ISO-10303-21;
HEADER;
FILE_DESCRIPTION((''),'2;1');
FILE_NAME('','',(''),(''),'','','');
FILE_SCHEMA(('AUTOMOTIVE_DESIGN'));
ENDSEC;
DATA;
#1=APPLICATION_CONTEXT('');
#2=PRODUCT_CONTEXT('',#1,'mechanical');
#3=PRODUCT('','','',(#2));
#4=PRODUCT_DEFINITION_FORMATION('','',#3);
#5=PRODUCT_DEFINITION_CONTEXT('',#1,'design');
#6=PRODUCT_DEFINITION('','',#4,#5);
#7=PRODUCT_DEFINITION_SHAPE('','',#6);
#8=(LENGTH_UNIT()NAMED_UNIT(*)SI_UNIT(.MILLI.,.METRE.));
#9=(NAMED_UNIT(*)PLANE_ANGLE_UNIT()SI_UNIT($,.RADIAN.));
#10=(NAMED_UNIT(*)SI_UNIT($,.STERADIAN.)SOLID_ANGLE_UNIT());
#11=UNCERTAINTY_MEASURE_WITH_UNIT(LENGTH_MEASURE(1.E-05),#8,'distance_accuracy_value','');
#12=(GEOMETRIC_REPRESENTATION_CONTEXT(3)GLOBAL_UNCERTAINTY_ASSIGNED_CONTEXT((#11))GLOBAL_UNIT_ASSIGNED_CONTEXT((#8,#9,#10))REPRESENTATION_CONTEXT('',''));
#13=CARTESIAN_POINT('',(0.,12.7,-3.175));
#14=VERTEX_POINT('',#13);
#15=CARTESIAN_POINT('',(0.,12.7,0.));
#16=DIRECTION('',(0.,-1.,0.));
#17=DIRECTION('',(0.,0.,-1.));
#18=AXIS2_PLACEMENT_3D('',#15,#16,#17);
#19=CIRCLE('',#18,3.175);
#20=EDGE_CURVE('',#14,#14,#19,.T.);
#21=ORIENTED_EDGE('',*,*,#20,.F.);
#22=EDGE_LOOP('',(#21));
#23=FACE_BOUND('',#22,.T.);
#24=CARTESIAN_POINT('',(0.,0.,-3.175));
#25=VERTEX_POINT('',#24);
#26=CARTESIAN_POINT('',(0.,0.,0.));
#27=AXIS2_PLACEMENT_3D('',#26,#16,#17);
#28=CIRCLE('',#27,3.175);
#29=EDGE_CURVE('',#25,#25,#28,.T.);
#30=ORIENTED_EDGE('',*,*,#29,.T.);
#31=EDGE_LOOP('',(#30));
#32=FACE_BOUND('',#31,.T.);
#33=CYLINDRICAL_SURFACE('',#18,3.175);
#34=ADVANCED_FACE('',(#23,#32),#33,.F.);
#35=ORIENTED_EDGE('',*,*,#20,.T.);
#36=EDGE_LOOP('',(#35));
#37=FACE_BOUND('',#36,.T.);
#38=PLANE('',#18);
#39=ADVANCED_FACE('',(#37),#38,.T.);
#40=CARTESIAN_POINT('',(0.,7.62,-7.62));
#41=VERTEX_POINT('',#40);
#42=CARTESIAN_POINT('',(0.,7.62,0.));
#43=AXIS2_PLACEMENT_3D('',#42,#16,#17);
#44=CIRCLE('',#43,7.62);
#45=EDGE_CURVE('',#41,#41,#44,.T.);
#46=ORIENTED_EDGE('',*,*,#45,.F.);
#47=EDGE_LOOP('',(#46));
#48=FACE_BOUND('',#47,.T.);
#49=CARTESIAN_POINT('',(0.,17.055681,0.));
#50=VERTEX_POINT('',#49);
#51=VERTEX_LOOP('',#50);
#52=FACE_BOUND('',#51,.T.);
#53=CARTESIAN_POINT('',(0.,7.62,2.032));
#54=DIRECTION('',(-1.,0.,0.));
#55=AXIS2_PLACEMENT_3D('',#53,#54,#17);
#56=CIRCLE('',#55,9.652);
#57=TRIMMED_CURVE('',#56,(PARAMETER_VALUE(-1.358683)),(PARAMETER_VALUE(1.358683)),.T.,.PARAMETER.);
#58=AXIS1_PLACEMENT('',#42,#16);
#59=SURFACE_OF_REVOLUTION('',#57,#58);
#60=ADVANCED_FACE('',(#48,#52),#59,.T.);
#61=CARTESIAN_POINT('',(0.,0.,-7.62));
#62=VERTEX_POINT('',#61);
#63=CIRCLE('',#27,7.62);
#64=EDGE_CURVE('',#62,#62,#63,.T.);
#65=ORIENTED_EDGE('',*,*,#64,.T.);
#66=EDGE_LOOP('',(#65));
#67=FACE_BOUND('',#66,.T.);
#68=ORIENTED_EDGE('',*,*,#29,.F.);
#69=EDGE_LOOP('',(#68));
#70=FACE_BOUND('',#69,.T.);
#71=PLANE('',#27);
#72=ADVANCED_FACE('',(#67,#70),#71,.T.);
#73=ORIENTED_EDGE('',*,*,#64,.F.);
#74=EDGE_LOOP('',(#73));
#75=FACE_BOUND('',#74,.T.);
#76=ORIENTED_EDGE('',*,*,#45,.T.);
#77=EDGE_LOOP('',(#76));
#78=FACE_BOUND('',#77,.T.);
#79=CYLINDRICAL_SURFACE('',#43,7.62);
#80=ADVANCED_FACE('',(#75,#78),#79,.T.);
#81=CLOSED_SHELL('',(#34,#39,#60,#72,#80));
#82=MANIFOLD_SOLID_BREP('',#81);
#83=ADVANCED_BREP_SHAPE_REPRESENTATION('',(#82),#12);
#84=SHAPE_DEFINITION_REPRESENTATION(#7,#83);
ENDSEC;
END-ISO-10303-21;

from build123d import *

# Parameters (mm, degrees)
SKETCH2_R          = 3.175
CUT_EXTRUDE1_DEPTH = 12.7


with BuildPart() as part:
    # Sketch1 → Revolve1 (revolve)
    with BuildSketch(Plane.XY, mode=Mode.PRIVATE) as revolve1_sk:
        with BuildLine():
            Line((0, 7.62), (0, 17.055681215))
            ThreePointArc((0, 17.055681215), (5.477126714, 13.684166884), (7.62, 7.62))
            Line((7.62, 7.62), (7.62, 0))
            Line((7.62, 0), (0, 0))
            Line((0, 0), (0, 7.62))
        make_face()
    revolve(revolve1_sk.sketch.rotate(Axis((0, 7.62, 0), (0, 1, 0)), 90), axis=Axis((0, 7.62, 0), (0, 1, 0)))

    # Sketch2 → Cut-Extrude1 (cut)
    with BuildSketch(Plane.XZ):
        with Locations(Location((0, 0, 0), (0, 0, 270))):
            Circle(SKETCH2_R)
    extrude(amount=-CUT_EXTRUDE1_DEPTH, mode=Mode.SUBTRACT)


solid = part.part
